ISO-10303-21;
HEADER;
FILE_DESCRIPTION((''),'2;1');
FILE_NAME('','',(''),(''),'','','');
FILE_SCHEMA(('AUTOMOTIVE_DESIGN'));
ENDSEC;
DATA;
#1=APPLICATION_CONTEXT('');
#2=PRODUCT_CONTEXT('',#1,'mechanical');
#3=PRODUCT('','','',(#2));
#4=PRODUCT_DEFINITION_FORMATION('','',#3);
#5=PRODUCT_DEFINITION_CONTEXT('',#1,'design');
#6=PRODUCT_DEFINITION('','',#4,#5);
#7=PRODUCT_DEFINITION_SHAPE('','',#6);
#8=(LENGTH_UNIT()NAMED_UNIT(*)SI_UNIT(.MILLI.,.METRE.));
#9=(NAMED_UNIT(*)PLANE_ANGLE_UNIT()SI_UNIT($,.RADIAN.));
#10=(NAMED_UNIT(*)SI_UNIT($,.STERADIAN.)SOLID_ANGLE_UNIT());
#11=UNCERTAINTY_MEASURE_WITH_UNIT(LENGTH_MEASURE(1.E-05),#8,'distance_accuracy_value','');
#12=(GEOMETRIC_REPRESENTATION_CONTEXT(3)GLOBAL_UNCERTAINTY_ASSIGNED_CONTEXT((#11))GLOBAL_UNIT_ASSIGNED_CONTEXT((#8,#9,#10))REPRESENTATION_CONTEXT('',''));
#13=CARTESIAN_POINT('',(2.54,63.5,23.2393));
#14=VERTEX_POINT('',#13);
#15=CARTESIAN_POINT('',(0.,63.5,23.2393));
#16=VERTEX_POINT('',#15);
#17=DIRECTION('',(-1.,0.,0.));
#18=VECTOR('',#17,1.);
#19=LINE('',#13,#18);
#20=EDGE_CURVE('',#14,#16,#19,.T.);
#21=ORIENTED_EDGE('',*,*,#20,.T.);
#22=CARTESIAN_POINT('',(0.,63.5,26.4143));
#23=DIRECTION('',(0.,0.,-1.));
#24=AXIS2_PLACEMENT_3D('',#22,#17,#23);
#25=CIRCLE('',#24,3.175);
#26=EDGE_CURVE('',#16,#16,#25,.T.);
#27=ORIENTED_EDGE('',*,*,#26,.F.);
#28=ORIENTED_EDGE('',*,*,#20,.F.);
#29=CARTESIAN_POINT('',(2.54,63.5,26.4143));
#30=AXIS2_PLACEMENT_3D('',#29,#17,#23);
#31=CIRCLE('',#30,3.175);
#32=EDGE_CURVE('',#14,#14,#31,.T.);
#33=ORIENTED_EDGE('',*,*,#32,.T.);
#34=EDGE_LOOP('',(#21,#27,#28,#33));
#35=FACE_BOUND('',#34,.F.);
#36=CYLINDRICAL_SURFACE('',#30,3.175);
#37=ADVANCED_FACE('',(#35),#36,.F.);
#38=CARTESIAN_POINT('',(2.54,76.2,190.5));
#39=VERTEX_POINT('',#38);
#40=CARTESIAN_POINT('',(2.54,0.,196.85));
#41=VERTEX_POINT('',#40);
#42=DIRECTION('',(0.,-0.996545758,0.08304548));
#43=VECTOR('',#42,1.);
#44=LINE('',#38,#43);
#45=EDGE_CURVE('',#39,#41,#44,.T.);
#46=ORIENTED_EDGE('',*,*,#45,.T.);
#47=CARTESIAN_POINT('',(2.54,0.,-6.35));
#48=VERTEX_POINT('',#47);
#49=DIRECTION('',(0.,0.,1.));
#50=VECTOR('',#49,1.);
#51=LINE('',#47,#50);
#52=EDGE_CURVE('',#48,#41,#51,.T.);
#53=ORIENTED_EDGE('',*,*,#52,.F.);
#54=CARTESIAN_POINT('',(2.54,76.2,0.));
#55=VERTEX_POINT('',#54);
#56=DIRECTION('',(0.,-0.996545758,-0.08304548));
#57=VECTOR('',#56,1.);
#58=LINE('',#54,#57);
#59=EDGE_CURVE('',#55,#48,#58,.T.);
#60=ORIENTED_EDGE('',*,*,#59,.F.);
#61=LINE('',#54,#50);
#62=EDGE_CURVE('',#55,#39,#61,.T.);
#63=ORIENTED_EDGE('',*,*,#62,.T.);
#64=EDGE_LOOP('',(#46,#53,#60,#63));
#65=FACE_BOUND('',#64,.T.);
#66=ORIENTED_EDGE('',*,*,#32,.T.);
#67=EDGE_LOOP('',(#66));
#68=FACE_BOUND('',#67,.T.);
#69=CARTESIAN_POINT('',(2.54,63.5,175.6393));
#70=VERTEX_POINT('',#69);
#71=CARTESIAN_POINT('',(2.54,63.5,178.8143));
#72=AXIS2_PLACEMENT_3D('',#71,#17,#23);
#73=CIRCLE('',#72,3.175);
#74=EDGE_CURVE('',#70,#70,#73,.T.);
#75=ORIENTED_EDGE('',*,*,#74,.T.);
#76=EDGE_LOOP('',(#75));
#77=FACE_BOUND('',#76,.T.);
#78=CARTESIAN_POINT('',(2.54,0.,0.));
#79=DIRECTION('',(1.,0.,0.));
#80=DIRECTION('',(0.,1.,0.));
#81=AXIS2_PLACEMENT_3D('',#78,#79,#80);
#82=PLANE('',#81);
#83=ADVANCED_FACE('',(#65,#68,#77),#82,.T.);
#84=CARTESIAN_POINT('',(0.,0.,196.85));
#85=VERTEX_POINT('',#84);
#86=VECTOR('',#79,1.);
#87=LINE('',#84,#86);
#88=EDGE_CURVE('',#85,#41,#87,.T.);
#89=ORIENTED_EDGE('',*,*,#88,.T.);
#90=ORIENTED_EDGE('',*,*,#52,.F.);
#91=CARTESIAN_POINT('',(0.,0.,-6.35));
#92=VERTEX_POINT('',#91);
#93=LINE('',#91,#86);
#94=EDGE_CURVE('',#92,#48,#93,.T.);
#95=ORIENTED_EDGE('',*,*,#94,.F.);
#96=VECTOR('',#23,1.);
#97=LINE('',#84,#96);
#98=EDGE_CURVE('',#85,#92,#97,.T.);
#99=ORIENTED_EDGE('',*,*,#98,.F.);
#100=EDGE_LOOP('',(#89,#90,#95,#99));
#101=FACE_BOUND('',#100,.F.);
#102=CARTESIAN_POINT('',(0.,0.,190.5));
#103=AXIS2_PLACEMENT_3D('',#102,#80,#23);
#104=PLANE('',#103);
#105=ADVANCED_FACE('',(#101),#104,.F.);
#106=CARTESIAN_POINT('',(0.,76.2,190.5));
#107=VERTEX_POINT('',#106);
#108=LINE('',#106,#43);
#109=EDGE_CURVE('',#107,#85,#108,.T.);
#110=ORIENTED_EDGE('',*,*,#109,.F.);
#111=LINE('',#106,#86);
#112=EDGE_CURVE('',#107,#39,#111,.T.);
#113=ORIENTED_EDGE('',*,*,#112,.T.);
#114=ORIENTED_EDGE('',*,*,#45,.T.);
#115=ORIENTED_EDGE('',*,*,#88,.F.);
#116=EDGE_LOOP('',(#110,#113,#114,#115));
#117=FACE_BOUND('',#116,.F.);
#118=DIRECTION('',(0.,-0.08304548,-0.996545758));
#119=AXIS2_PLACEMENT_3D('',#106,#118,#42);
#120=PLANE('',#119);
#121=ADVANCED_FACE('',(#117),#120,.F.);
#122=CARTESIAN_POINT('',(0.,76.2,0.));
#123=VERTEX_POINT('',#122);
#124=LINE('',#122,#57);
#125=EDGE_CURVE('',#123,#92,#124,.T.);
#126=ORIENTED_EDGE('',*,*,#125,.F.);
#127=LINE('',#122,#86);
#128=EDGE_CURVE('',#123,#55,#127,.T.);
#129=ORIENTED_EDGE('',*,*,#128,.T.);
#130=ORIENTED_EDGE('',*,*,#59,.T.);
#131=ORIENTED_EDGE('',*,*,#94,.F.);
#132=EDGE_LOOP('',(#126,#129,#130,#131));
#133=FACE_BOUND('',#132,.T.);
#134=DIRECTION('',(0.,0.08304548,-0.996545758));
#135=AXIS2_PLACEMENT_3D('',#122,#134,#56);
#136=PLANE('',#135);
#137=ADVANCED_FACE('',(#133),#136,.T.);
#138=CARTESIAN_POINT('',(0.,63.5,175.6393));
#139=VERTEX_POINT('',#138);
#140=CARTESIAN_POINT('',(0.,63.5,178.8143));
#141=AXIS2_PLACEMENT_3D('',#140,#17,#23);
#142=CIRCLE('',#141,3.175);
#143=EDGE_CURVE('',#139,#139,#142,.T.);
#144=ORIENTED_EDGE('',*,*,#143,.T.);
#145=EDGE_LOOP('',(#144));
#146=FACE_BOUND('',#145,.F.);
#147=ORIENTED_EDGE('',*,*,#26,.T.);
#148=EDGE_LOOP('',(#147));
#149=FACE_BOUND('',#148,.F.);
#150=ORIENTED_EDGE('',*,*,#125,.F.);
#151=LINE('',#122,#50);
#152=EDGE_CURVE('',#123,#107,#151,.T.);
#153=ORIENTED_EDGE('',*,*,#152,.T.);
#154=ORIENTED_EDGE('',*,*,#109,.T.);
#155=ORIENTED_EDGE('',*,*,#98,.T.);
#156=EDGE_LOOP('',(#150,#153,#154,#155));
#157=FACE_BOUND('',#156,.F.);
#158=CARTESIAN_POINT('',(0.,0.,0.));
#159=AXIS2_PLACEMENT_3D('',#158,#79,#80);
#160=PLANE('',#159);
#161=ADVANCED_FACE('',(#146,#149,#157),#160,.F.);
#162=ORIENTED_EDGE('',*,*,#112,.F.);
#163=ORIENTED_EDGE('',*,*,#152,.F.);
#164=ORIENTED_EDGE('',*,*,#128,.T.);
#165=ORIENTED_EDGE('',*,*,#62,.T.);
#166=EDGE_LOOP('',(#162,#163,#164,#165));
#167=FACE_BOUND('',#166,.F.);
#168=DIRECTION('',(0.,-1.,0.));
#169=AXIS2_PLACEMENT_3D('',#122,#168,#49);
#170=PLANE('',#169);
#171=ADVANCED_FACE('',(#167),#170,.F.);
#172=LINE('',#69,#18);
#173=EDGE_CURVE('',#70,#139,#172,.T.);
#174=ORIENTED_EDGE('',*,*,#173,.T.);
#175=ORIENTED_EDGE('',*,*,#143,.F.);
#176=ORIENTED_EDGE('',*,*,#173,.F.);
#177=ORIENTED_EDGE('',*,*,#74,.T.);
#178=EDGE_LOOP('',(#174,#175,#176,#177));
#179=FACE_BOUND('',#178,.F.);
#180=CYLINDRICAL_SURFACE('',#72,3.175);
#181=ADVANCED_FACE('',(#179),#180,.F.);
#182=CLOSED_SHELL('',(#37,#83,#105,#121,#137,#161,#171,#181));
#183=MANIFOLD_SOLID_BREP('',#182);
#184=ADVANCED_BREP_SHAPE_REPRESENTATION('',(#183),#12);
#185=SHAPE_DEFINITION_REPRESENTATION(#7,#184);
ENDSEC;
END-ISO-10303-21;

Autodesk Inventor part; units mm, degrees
ref_plane "YZ Plane" through (0, 0, 0) normal (1, 0, 0) x (0, 1, 0)
ref_plane "XZ Plane" through (0, 0, 0) normal (0, 1, 0) x (-1, 0, 0)
ref_plane "XY Plane" through (0, 0, 0) normal (0, 0, 1) x (1, 0, 0)
sketch "Sketch1" plane through (0, 0, 0) normal (1, 0, 0) x (0, 1, 0)
  line L0 (50.8, 190.5) -> (0, 190.5)
  line L1 (0, 190.5) -> (0, 0)
  line L2 (0, 0) -> (50.8, 0)
  line L3 (50.8, 0) -> (50.8, 190.5)
  line L4 (0, 196.85) -> (50.8, 190.5)
  line L5 (0, 196.85) -> (0, 190.5)
  line L6 (0, 0) -> (50.8, 0)
  line L7 (0, 0) -> (0, 0)
  line L8 (50.8, 0) -> (0, 0)
  line L9 (0, 0) -> (0, 0)
  line L10 (0, -6.35) -> (50.8, 0)
  line L11 (0, -6.35) -> (0, 0)
  line L12 (0, 0) -> (76.2, 0)
  line L13 (76.2, 0) -> (76.2, 190.5)
  line L14 (76.2, 190.5) -> (0, 196.85)
  line L15 (76.2, 0) -> (0, -6.35)
  dimension "d0" = 76.2
extrude "Extrusion1" add sketch "Sketch1" along normal blind 2.54
hole "Hole1" at (2.54, 63.5, 178.8143) direction (-1, 0, 0) diameter 6.35 end through all
pattern_linear "Rectangular Pattern1" count 2 spacing 152.4 along (0, 0, -1) of "Hole1"
properties part number "mountPiece"
